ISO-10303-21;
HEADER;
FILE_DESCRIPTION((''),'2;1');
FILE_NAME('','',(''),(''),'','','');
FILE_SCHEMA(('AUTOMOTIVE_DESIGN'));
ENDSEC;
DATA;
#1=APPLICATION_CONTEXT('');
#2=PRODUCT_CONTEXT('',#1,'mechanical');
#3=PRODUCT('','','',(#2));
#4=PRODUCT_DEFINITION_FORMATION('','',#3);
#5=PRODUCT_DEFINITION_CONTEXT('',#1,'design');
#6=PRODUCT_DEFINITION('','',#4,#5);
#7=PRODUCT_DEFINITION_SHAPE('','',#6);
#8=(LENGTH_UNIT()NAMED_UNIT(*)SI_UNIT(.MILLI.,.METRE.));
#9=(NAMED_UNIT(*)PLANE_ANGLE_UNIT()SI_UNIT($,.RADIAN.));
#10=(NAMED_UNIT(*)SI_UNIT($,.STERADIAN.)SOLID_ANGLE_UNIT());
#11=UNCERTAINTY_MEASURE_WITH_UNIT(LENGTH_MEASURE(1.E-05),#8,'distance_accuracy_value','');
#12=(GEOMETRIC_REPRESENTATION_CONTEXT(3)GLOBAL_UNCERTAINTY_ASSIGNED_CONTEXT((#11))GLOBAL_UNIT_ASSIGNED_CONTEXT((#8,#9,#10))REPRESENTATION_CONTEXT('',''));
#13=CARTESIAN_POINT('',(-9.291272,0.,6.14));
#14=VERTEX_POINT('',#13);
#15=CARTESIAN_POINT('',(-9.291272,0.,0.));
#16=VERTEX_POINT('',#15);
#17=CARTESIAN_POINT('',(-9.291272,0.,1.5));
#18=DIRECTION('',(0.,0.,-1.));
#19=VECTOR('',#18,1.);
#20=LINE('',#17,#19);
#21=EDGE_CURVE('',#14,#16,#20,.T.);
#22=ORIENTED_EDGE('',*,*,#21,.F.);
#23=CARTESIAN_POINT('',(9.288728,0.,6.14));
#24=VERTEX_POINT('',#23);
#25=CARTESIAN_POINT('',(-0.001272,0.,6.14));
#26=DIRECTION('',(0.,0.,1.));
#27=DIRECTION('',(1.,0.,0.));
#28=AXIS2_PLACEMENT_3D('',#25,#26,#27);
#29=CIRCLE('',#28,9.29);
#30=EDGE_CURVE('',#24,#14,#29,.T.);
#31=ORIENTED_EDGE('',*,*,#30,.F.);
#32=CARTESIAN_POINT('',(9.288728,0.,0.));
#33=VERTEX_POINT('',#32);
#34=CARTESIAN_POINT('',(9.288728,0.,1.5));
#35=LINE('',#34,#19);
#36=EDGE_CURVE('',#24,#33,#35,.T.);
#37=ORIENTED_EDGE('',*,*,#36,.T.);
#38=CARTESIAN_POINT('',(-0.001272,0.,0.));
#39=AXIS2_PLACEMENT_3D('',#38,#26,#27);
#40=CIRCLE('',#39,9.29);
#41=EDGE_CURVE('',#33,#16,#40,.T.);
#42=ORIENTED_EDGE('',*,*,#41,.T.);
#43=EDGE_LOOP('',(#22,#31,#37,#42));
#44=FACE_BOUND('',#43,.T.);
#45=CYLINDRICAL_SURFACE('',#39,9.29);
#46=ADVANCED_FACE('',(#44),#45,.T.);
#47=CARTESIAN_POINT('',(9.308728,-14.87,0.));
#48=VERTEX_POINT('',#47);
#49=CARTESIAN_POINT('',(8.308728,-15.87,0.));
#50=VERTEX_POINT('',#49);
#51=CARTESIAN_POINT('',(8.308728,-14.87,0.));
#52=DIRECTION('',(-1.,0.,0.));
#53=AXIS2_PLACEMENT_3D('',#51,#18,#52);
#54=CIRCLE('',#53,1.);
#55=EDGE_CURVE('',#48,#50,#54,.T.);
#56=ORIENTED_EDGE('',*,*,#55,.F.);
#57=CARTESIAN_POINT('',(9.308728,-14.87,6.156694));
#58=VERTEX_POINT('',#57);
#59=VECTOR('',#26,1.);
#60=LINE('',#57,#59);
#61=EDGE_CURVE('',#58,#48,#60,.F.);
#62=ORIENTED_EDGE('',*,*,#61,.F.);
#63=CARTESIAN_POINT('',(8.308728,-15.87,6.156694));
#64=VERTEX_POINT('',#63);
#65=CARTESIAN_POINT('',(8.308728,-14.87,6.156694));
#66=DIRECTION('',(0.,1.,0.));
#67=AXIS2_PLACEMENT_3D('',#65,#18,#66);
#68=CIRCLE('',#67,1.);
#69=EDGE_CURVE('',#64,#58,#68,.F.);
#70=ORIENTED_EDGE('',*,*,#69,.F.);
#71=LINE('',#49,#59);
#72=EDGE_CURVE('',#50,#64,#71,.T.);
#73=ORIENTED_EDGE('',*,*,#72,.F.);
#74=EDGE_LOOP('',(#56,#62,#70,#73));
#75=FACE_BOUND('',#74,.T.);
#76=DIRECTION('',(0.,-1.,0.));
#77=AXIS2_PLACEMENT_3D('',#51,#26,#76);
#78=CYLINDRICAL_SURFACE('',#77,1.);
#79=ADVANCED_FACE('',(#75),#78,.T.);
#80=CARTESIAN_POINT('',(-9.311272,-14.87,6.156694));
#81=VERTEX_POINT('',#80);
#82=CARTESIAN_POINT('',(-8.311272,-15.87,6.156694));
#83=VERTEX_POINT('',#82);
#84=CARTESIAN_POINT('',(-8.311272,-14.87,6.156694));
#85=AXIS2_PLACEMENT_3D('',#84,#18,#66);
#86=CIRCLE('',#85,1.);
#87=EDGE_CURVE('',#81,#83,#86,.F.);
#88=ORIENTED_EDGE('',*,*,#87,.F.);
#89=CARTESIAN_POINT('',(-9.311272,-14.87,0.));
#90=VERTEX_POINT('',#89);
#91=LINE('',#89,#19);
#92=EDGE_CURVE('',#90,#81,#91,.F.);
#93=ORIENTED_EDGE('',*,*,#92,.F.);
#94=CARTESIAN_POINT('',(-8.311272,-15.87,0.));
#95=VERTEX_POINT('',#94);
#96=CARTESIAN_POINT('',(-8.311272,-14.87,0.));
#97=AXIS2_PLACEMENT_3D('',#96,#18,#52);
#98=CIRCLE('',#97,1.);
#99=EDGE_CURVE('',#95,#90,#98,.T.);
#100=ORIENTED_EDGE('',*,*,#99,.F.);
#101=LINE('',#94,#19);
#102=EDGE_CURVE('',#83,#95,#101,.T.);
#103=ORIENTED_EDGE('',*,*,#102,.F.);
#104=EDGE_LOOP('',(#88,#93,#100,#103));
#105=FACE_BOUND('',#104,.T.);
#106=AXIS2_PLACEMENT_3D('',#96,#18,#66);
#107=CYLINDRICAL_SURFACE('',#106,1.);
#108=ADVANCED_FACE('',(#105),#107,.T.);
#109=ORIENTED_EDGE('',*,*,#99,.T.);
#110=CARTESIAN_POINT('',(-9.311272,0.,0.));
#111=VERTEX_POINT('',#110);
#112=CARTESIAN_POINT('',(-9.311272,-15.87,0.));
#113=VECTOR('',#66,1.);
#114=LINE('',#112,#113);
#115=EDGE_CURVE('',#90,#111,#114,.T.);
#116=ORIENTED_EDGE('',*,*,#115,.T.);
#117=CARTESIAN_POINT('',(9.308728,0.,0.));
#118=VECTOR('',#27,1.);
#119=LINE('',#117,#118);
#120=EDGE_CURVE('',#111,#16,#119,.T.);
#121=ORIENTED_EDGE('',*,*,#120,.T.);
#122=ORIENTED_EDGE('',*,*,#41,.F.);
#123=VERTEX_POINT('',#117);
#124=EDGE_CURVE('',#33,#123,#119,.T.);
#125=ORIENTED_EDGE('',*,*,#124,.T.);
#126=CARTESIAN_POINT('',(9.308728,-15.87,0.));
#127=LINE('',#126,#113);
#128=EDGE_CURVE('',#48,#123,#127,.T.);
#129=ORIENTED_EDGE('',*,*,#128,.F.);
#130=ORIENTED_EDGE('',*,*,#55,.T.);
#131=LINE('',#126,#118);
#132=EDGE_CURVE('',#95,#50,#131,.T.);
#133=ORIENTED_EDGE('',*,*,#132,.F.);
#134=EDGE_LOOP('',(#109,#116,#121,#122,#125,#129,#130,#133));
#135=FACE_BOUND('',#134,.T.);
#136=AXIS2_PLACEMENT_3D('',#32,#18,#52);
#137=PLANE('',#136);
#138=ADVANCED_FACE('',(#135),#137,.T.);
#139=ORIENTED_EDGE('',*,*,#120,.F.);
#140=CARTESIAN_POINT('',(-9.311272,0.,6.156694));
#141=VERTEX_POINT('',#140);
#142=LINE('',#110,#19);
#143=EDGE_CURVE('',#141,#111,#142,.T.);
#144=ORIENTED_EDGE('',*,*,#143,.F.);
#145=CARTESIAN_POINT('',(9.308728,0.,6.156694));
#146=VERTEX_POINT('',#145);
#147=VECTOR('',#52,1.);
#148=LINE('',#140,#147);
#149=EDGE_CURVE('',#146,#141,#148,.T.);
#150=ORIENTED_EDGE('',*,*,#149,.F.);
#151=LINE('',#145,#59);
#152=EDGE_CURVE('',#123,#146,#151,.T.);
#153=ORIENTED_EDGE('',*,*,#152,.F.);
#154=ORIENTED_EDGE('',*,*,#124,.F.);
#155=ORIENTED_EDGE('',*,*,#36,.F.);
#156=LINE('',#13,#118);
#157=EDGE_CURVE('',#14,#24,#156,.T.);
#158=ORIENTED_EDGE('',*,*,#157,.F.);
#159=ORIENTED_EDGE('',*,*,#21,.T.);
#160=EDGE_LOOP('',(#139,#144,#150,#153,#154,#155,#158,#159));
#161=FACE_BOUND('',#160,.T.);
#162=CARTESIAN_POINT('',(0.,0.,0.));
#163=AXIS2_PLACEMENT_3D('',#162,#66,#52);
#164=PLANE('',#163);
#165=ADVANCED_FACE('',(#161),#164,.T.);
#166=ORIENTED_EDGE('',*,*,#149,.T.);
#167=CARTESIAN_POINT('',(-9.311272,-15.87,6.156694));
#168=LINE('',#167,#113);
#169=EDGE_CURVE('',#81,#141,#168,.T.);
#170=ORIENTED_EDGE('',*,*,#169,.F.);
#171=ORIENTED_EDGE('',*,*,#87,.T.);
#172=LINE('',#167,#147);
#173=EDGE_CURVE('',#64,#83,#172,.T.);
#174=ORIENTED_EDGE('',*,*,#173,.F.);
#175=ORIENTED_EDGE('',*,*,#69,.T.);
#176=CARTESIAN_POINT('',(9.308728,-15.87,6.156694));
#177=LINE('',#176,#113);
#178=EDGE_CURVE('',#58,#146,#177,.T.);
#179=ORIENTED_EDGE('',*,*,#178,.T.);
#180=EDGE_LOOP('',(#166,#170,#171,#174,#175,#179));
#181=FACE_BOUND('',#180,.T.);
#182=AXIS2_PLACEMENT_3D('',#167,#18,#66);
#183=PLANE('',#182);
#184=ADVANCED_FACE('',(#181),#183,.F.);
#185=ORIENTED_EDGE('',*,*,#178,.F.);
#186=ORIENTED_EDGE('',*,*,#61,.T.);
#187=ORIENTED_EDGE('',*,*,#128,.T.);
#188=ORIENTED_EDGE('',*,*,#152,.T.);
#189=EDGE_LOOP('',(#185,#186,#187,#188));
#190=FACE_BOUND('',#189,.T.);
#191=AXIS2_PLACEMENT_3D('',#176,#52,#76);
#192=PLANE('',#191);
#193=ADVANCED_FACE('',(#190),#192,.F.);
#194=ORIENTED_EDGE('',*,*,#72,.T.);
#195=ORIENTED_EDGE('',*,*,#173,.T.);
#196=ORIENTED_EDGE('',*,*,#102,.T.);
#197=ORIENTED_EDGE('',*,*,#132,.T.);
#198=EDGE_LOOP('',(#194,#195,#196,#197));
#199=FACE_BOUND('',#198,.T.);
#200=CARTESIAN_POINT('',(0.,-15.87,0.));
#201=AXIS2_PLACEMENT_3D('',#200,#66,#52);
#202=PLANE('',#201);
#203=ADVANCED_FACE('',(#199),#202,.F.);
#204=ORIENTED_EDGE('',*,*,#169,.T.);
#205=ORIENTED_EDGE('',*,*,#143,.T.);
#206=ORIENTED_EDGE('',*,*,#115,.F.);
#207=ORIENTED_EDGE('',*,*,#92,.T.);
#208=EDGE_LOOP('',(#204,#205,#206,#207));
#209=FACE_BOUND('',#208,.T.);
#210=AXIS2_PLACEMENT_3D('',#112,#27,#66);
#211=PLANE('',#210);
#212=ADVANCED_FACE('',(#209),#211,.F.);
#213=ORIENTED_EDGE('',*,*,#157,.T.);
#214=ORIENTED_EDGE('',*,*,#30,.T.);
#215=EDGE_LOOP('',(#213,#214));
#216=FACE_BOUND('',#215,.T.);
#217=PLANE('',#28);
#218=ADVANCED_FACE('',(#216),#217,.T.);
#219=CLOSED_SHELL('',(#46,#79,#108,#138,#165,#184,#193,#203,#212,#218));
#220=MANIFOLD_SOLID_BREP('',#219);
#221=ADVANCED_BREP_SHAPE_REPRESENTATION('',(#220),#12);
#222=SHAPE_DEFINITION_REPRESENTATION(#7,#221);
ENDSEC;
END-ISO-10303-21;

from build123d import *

# Parameters (mm, degrees)
SKETCH_1_W          = 9.29
SKETCH_1_H          = 1.5
REVOLVE_1_ANGLE     = 180
EXTRUDE_1_DEPTH     = 4.65
SKETCH_3_W          = 18.62
SKETCH_3_H          = 6.156693915
EXTRUDE_2_DEPTH     = 15.87
FILLET_1_R          = 1
CUT_EXTRUDE_1_DEPTH = 0.01


with BuildPart() as part:
    # 草图1 → 旋转1 (revolve)
    with BuildSketch(Plane.XZ):
        with Locations((-4.646272468, 0.75)):
            Rectangle(SKETCH_1_W, SKETCH_1_H)
    revolve(axis=Axis((-0.001272468, 0, 0), (0, 0, -1)), revolution_arc=REVOLVE_1_ANGLE)

    # 草图2 → 凸台-拉伸1 (add)
    with BuildSketch(Plane.XY.offset(1.5)):
        with BuildLine():
            Line((-9.291272468, 0), (9.288727532, 0))
            ThreePointArc((9.288727532, 0), (-0.001272468, 9.29), (-9.291272468, 0))
        make_face()
    extrude(amount=EXTRUDE_1_DEPTH)

    # 草图3 → 凸台-拉伸2 (add)
    with BuildSketch(Plane.XZ):
        with Locations((-0.001272468, 3.078346957)):
            Rectangle(SKETCH_3_W, SKETCH_3_H)
    extrude(amount=EXTRUDE_2_DEPTH)

    # 圆角1
    fillet_1_edges = [part.edges().sort_by_distance(p)[0] for p in [
        (9.308727532, -15.87, 3.078346957),
        (-9.311272468, -15.87, 3.078346957),
    ]]
    fillet(fillet_1_edges, radius=FILLET_1_R)

    # 草图4 → 切除-拉伸1 (cut)
    with BuildSketch(Plane.XY.offset(6.15)):
        with BuildLine():
            Line((-9.291272468, 0), (9.288727532, 0))
            ThreePointArc((9.288727532, 0), (-0.001272468, 9.29), (-9.291272468, 0))
        make_face()
    extrude(amount=-CUT_EXTRUDE_1_DEPTH, mode=Mode.SUBTRACT)


solid = part.part
